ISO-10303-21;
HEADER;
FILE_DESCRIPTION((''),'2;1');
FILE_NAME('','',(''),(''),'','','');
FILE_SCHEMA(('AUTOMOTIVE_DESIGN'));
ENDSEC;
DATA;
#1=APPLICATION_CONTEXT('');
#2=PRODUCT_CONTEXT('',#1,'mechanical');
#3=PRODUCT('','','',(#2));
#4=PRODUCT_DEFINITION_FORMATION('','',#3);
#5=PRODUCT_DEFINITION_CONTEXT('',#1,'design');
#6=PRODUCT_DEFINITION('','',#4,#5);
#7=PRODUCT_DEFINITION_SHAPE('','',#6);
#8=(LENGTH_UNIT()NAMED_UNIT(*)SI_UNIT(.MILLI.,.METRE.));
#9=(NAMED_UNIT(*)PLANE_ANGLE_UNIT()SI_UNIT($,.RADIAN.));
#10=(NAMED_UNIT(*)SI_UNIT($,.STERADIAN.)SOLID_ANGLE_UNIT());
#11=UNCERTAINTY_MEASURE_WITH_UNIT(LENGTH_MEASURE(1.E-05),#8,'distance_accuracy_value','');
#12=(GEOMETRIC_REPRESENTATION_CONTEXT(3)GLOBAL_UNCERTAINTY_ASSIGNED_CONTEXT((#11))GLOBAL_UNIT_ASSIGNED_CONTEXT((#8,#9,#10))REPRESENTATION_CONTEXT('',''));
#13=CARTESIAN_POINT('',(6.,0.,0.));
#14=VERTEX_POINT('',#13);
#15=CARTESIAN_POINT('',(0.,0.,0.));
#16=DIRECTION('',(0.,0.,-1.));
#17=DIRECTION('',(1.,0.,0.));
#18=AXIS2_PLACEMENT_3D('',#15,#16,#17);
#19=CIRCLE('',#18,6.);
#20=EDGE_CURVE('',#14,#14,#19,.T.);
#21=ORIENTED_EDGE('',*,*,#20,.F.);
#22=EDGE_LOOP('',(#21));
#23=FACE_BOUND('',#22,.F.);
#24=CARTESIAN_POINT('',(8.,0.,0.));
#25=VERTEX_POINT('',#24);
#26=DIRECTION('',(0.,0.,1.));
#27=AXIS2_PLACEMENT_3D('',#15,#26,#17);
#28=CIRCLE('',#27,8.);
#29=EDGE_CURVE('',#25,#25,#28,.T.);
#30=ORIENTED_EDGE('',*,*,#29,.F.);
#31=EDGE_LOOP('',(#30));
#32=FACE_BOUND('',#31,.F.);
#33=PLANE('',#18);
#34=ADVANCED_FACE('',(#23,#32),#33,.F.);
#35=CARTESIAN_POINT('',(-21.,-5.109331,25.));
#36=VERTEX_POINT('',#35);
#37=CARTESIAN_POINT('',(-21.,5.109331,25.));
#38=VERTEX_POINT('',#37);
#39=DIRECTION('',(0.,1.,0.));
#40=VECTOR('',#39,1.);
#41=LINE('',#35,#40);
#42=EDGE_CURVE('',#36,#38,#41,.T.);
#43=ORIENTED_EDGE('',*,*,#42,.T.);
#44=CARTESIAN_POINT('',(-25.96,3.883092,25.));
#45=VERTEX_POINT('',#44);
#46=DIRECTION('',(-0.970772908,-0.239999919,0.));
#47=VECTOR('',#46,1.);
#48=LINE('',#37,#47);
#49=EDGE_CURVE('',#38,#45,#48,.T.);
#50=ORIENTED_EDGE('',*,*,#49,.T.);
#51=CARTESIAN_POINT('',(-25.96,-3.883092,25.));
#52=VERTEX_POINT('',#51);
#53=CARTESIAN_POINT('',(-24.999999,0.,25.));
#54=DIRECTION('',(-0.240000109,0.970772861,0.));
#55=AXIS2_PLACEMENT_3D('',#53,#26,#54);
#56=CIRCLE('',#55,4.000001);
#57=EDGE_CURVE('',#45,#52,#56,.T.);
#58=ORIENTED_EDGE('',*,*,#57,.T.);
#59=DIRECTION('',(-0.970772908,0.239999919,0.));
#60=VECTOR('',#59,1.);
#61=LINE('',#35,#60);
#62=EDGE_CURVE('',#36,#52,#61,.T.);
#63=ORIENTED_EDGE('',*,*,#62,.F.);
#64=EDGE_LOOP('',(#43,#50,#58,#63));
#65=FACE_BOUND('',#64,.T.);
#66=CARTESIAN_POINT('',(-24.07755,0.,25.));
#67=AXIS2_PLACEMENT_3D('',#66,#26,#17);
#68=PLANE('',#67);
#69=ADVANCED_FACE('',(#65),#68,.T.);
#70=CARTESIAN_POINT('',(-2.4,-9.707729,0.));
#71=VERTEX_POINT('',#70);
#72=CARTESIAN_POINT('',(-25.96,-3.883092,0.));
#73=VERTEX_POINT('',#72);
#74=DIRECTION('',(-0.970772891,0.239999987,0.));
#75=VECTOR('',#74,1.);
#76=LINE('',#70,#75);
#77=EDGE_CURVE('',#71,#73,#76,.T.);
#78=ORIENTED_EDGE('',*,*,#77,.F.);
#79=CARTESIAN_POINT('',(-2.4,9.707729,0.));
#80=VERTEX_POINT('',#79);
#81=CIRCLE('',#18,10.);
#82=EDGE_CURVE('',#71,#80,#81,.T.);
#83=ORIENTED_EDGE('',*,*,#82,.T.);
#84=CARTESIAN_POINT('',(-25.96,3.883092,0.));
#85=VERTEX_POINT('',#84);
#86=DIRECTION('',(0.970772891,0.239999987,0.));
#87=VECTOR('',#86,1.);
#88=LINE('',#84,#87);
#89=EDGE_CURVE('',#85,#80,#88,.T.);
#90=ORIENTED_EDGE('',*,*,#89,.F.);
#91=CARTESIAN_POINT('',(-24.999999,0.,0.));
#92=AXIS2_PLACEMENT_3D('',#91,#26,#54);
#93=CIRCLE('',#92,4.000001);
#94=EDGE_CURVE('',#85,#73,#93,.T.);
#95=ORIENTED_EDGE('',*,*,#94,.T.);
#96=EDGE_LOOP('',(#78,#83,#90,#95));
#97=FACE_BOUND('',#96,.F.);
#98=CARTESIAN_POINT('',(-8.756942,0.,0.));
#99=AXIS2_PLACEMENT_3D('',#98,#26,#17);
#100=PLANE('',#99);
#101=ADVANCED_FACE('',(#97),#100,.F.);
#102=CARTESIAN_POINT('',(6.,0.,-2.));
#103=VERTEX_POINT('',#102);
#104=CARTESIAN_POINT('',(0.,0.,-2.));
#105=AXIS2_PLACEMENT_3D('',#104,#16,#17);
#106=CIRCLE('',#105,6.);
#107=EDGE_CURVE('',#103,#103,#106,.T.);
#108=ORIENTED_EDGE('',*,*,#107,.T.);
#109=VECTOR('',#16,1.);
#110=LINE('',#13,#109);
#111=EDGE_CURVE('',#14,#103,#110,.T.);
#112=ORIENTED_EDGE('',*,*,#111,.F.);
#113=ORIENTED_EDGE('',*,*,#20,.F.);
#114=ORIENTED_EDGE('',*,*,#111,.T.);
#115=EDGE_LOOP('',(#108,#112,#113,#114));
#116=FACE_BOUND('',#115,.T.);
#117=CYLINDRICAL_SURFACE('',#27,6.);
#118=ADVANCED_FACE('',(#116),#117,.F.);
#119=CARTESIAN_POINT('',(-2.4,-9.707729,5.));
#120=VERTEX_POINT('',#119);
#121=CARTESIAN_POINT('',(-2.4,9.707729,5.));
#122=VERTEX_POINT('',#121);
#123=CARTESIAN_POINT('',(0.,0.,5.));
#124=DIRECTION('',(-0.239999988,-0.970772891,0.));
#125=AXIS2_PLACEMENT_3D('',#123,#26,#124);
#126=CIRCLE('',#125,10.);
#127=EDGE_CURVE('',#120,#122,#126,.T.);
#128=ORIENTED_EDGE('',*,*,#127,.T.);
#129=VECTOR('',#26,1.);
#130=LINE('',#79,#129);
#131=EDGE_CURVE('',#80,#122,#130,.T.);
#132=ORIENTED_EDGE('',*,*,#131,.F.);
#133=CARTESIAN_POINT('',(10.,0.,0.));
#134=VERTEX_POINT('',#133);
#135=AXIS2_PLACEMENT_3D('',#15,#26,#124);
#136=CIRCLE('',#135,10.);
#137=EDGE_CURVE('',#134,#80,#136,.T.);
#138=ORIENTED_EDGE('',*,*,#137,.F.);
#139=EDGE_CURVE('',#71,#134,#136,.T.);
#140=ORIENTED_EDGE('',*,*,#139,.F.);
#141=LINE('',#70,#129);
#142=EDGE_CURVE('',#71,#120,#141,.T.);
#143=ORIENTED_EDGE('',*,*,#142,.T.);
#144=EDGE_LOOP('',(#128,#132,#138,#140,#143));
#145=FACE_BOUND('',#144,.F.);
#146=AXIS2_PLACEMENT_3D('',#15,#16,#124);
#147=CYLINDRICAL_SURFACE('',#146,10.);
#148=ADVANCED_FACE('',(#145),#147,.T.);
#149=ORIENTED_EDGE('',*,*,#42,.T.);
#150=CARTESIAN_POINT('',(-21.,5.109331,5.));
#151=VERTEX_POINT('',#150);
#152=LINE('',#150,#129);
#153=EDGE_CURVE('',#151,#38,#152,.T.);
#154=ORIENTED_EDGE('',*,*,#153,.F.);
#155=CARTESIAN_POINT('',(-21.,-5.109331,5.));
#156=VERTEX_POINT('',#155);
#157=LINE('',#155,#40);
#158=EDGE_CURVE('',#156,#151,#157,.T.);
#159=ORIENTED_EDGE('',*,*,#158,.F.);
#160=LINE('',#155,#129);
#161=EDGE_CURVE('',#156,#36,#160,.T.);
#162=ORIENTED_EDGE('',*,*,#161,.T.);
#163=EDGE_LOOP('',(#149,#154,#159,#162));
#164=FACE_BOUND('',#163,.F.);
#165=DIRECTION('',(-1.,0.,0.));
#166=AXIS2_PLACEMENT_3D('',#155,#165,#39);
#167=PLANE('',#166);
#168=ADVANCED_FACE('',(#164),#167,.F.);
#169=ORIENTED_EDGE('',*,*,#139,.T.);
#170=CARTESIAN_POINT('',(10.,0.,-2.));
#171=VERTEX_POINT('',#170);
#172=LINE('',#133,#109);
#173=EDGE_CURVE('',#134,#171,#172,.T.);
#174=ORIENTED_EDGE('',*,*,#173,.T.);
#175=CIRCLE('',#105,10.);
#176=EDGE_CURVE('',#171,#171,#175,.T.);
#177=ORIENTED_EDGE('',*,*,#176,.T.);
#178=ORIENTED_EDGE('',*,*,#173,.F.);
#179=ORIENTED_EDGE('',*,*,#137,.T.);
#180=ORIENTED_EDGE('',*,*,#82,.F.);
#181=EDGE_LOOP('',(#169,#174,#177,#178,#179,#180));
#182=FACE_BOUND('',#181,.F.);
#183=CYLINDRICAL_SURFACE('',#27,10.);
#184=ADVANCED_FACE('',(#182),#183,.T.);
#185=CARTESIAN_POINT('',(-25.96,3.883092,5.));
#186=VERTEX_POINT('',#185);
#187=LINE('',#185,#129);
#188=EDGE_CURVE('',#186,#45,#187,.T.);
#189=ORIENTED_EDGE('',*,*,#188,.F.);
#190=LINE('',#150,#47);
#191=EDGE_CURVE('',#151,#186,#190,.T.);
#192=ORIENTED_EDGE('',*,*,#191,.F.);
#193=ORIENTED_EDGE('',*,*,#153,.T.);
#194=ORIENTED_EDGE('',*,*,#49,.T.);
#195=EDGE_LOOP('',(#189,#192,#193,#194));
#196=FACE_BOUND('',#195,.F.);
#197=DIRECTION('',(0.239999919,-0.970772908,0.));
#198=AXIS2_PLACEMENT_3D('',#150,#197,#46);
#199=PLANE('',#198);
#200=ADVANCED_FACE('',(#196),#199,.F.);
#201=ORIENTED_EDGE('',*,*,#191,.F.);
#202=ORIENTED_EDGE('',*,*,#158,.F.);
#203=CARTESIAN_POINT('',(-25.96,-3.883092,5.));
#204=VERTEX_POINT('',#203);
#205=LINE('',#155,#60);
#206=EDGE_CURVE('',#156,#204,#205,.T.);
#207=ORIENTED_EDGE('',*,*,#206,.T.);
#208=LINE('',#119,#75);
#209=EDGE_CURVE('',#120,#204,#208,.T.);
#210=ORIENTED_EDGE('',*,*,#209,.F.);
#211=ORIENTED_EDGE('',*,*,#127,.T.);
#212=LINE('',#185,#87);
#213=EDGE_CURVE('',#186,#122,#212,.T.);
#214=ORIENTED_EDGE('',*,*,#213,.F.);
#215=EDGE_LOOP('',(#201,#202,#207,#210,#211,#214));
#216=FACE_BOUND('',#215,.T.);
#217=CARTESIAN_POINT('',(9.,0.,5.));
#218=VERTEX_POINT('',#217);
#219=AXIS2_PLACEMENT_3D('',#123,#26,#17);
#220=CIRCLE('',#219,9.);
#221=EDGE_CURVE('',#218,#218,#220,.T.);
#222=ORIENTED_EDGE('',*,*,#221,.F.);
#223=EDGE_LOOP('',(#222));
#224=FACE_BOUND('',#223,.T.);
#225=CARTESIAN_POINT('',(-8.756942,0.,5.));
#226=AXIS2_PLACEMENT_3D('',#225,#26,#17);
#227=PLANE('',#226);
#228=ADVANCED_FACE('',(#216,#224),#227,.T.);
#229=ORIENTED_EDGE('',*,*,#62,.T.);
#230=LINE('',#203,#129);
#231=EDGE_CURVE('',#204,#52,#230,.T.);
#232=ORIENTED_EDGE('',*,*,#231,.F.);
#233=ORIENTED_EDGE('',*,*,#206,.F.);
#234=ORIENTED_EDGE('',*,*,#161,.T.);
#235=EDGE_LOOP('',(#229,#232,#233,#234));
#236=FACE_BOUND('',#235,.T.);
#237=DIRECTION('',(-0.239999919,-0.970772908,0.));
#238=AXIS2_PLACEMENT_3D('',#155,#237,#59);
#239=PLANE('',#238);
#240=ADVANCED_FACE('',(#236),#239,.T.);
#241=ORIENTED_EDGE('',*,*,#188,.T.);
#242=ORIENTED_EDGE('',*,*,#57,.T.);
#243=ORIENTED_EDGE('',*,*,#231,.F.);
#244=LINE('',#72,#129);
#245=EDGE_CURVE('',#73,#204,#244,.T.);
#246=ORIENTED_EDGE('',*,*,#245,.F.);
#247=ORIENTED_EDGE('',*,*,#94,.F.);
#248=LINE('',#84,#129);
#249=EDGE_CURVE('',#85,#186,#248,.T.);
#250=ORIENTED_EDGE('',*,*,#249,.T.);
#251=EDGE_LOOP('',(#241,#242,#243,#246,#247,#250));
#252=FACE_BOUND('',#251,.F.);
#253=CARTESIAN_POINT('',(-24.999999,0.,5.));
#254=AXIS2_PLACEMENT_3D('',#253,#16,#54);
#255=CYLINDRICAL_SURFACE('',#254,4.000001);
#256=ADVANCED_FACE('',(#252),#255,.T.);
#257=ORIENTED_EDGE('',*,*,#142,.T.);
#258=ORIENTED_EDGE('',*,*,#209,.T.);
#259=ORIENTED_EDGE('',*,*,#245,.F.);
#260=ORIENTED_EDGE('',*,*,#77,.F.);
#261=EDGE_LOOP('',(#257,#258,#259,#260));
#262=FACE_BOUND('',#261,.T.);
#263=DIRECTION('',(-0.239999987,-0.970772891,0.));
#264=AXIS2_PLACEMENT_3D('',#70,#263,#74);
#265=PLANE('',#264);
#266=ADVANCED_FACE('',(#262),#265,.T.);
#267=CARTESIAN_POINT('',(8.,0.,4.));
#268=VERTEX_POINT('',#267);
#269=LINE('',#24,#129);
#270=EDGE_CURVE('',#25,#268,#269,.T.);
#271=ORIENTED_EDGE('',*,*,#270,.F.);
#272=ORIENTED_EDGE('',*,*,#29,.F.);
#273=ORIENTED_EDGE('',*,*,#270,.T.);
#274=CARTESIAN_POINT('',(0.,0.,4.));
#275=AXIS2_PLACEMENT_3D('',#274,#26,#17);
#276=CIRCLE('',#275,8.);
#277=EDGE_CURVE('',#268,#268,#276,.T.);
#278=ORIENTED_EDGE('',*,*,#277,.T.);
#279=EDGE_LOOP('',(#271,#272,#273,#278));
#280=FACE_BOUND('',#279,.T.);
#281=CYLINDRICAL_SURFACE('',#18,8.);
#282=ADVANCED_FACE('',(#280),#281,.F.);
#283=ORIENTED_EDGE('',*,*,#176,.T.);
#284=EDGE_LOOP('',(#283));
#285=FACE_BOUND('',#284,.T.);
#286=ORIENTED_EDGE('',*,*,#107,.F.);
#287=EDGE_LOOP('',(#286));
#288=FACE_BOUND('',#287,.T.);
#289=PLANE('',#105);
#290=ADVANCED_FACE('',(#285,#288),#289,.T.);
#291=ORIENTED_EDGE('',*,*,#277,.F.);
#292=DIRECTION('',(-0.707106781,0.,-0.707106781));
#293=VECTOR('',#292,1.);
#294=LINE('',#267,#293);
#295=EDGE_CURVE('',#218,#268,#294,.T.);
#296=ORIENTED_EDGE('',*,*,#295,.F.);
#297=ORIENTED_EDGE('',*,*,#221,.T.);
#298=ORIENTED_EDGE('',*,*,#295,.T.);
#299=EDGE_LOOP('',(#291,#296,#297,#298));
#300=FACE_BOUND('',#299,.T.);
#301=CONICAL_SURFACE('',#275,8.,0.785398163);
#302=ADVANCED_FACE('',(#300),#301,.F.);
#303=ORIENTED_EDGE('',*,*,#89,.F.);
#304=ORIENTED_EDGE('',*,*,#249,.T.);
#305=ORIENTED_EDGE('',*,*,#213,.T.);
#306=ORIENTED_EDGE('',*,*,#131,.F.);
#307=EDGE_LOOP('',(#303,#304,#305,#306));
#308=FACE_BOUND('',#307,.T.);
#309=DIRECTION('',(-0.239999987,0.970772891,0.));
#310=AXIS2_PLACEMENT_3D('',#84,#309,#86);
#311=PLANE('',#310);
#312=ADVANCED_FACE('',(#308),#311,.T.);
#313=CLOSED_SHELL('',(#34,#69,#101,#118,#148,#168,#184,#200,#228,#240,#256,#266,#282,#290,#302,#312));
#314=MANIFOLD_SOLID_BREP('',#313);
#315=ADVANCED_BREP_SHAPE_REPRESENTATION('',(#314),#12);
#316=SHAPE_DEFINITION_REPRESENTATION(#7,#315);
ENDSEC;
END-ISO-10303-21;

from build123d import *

# Parameters (mm, degrees)
SKETCH_R      = 8
PAD_DEPTH     = 5
PAD001_DEPTH  = 20
CHAMFER_SIZE  = 1
SKETCH002_R   = 10
SKETCH002_R_2 = 6
PAD002_DEPTH  = 2


with BuildPart() as part:
    # Sketch → Pad (new body)
    with BuildSketch(Plane.XY):
        with BuildLine():
            ThreePointArc((-2.4, -9.707729), (10, 0), (-2.4, 9.707729))
            Line((-25.96, 3.883092), (-2.4, 9.707729))
            ThreePointArc((-25.96, 3.883092), (-29, 0), (-25.96, -3.883092))
            Line((-2.4, -9.707729), (-25.96, -3.883092))
        make_face()
        Circle(SKETCH_R, mode=Mode.SUBTRACT)
    extrude(amount=PAD_DEPTH)

    # Sketch001 (on Face7 of Pad) → Pad001 (join)
    with BuildSketch(Plane.XY.offset(5)):
        with BuildLine():
            ThreePointArc((-25.96, 3.883092), (-29, 0), (-25.96, -3.883092))
            Line((-21, -5.109331), (-25.96, -3.883092))
            Line((-21, -5.109331), (-21, 5.109331))
            Line((-21, 5.109331), (-25.96, 3.883092))
        make_face()
    extrude(amount=PAD001_DEPTH)

    # Chamfer
    chamfer_edges = [part.edges().sort_by_distance(p)[0] for p in [
        (-8, 0, 5),
    ]]
    chamfer(chamfer_edges, length=CHAMFER_SIZE)

    # Sketch002 (on Face9 of Chamfer) → Pad002 (join)
    with BuildSketch(Plane(origin=(0, 0, 0), x_dir=(1, 0, 0), z_dir=(0, 0, -1))):
        Circle(SKETCH002_R)
        Circle(SKETCH002_R_2, mode=Mode.SUBTRACT)
    extrude(amount=PAD002_DEPTH)


solid = part.part
